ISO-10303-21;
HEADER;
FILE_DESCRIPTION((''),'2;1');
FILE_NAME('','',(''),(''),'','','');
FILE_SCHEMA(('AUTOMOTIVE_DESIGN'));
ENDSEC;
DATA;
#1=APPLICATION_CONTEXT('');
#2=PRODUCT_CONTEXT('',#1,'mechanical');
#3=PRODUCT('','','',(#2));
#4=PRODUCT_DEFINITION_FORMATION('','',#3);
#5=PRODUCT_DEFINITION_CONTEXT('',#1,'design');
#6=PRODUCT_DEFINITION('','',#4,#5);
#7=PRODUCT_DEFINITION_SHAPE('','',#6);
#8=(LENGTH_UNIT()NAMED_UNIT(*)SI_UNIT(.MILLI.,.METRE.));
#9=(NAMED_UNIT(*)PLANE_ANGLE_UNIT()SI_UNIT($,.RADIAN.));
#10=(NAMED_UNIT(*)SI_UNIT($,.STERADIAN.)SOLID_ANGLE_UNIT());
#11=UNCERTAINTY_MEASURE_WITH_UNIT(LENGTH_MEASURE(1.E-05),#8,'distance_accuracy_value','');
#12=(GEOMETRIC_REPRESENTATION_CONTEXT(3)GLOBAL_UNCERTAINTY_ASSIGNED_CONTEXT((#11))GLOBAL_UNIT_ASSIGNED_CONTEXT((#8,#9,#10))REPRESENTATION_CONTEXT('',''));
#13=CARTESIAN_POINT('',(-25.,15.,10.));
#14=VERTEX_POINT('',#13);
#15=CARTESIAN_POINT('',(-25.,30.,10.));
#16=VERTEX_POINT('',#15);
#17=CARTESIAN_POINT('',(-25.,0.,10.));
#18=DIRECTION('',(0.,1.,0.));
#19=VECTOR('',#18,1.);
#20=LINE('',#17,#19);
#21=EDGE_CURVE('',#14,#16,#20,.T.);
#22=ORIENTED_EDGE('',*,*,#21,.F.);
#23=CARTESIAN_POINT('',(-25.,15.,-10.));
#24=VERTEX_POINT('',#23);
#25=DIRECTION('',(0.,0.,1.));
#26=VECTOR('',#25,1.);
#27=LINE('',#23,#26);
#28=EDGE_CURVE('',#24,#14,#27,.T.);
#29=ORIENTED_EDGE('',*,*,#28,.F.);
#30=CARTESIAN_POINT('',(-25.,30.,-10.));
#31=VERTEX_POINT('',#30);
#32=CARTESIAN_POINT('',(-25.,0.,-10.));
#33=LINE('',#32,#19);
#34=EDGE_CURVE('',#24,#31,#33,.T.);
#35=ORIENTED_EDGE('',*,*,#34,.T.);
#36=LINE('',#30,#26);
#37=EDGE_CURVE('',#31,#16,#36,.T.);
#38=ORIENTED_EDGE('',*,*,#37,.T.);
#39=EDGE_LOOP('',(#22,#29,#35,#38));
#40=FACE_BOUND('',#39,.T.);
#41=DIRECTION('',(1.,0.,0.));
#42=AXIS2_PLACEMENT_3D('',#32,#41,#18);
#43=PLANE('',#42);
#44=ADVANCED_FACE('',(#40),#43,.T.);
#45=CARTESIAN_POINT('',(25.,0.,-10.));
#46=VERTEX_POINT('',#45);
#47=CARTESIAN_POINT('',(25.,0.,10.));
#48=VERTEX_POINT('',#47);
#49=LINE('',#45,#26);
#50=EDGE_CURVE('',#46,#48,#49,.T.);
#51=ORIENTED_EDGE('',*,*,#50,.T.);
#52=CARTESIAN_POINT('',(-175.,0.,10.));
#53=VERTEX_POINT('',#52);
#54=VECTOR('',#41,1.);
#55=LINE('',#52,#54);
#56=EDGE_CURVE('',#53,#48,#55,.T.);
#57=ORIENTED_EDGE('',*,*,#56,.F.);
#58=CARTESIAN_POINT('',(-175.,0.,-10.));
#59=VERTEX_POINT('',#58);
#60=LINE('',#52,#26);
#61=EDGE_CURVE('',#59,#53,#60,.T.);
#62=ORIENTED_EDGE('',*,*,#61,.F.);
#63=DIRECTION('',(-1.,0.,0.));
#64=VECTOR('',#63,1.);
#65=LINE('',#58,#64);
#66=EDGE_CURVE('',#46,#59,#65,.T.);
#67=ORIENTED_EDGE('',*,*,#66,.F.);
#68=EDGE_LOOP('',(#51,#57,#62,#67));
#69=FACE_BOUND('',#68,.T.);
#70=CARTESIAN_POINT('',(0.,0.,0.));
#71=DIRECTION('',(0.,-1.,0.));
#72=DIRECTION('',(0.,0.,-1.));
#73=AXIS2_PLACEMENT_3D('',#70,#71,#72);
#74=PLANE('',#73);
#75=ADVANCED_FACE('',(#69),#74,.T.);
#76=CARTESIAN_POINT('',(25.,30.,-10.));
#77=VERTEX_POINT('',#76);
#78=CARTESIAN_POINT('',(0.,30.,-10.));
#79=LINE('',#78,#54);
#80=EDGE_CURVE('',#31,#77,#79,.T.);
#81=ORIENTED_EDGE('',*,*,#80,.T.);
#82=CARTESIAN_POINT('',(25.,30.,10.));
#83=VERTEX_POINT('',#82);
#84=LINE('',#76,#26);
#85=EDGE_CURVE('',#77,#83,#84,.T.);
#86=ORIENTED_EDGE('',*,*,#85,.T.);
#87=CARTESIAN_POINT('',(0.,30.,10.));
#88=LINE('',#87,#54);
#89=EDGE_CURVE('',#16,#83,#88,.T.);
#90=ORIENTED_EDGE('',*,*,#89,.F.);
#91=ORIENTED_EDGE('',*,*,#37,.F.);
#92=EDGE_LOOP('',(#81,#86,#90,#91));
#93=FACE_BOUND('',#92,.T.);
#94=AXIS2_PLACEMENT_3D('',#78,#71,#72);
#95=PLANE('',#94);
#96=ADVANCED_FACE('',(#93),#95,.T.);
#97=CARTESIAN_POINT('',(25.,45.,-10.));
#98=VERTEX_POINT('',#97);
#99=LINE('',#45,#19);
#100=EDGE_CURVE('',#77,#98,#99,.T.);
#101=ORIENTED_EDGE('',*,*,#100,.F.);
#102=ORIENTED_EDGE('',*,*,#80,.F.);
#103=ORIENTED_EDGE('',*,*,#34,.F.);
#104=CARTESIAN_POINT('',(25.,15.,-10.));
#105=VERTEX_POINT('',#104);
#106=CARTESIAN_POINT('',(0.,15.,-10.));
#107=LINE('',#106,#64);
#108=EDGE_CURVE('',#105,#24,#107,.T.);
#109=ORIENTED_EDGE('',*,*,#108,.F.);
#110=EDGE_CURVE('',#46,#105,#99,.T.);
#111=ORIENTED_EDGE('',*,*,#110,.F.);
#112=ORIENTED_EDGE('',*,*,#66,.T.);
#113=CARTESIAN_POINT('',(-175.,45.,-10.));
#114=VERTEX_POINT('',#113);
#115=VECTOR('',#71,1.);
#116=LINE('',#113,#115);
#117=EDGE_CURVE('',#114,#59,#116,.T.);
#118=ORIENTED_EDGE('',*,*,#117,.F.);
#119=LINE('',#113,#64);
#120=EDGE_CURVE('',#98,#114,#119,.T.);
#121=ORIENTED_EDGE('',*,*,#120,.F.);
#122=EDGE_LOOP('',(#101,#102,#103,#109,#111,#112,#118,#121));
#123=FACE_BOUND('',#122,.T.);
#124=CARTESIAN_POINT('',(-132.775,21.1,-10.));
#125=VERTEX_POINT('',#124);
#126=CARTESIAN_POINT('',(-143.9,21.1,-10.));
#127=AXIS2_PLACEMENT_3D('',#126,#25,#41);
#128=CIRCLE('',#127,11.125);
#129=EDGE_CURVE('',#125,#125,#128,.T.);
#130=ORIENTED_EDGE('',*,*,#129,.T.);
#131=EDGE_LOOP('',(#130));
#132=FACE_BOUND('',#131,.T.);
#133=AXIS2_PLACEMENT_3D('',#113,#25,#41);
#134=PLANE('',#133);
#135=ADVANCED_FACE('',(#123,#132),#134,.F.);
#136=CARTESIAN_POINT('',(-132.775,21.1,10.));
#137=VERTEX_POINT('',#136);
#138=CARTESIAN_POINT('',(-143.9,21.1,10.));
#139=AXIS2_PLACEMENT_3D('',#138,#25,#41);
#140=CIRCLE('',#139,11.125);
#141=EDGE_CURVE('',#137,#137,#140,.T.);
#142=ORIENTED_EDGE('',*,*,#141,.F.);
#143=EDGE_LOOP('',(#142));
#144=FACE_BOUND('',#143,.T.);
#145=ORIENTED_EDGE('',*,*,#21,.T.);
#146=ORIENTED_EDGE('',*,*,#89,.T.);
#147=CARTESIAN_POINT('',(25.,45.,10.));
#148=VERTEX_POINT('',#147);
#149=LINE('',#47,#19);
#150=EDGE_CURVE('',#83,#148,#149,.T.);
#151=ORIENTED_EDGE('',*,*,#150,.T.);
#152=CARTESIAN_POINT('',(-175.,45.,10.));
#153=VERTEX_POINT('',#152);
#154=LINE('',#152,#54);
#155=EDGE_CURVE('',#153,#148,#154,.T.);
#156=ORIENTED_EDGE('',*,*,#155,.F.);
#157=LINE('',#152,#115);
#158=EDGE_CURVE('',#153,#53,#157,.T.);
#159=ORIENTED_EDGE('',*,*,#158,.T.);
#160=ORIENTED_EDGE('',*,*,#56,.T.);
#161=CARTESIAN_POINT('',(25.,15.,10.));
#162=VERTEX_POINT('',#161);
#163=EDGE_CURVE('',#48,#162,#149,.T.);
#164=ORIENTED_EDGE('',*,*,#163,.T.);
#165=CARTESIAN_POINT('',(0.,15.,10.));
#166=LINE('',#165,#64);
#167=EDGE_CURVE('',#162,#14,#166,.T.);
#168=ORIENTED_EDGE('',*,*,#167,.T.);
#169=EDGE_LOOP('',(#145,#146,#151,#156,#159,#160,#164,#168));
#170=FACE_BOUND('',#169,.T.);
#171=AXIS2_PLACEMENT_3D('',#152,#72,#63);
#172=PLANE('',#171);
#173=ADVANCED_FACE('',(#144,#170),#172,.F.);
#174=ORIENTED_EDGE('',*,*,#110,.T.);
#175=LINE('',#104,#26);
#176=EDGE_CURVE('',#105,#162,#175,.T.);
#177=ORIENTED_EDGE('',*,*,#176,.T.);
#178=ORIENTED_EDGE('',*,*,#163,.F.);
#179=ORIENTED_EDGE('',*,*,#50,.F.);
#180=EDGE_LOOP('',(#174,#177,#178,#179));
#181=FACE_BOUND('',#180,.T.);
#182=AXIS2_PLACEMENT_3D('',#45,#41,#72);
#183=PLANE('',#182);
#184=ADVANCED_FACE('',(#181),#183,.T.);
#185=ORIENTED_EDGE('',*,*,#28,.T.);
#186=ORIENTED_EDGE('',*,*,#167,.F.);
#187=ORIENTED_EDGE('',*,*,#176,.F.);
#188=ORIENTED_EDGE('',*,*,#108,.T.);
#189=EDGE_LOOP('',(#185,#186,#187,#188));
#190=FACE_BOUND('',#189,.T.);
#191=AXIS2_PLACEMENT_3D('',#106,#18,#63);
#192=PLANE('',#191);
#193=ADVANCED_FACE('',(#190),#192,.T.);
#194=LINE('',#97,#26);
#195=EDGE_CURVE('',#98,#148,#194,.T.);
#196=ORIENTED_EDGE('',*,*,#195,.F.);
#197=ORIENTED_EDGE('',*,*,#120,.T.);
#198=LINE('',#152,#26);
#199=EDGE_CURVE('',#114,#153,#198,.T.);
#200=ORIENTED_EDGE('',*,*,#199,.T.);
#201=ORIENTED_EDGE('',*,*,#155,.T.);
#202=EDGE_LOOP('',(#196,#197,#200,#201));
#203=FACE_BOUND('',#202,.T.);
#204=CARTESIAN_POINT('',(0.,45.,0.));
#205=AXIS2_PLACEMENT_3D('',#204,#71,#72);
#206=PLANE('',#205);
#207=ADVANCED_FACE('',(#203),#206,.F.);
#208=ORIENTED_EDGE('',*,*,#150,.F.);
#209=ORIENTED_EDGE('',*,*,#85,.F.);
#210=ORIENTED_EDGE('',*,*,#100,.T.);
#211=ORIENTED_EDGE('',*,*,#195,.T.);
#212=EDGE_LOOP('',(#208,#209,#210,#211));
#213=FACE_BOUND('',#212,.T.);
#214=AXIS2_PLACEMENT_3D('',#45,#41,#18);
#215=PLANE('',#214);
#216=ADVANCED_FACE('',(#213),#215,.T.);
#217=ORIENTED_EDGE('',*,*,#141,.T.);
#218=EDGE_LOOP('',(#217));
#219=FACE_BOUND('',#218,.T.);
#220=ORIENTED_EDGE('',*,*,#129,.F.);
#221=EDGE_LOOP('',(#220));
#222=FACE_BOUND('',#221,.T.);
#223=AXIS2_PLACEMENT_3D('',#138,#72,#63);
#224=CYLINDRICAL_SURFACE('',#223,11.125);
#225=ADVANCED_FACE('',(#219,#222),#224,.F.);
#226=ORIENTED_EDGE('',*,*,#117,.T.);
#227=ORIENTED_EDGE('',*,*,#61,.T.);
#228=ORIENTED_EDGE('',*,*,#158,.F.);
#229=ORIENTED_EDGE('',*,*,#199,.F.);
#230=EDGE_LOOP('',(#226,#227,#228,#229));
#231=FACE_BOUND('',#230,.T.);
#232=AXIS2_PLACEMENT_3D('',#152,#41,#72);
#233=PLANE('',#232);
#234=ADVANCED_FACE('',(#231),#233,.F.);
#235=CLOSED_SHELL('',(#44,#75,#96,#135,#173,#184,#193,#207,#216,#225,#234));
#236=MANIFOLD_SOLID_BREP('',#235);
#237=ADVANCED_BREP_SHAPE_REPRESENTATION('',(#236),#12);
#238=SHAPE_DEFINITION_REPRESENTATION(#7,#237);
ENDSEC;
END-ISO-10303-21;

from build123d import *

# Parameters (mm, degrees)
CROQUIS1_W              = 350
CROQUIS1_H              = 20
SALIENTE_EXTRUIR1_DEPTH = 45
CROQUIS2_R              = 11.125
CORTAR_EXTRUIR1_DEPTH   = 182.796589627
CROQUIS3_R              = 11.125
CORTAR_EXTRUIR2_DEPTH   = 182.796589627


with BuildPart() as part:
    # Croquis1 → Saliente-Extruir1 (new body)
    with BuildSketch(Plane(origin=(0, 0, 0), x_dir=(1, 0, 0), z_dir=(0, 1, 0))):
        Rectangle(CROQUIS1_W, CROQUIS1_H)
    extrude(amount=SALIENTE_EXTRUIR1_DEPTH)

    # Croquis2 → Cortar-Extruir1 (cut, through all)
    with BuildSketch(Plane(origin=(0, 0, -10), x_dir=(-1, 0, 0), z_dir=(0, 0, -1))):
        with Locations((-143.9, 21.1)):
            Circle(CROQUIS2_R)
    cortar_extruir1 = extrude(amount=-CORTAR_EXTRUIR1_DEPTH, mode=Mode.SUBTRACT)

    # Simetría1: Cortar-Extruir1 across plane
    add(cortar_extruir1.mirror(Plane(origin=(0, 0, 0), x_dir=(0, 0, 1), z_dir=(1, 0, 0))), mode=Mode.SUBTRACT)

    # Croquis3 → Cortar-Extruir2 (cut, through all)
    with BuildSketch(Plane.XY.offset(10)):
        Polygon((25, 15), (25, 0), (175, 0), (175, 45), (25, 45), (25, 30), (-25, 30), (-25, 15), align=None)
        with Locations((143.9, 21.1)):
            Circle(CROQUIS3_R, mode=Mode.SUBTRACT)
    extrude(amount=-CORTAR_EXTRUIR2_DEPTH, mode=Mode.SUBTRACT)


solid = part.part
